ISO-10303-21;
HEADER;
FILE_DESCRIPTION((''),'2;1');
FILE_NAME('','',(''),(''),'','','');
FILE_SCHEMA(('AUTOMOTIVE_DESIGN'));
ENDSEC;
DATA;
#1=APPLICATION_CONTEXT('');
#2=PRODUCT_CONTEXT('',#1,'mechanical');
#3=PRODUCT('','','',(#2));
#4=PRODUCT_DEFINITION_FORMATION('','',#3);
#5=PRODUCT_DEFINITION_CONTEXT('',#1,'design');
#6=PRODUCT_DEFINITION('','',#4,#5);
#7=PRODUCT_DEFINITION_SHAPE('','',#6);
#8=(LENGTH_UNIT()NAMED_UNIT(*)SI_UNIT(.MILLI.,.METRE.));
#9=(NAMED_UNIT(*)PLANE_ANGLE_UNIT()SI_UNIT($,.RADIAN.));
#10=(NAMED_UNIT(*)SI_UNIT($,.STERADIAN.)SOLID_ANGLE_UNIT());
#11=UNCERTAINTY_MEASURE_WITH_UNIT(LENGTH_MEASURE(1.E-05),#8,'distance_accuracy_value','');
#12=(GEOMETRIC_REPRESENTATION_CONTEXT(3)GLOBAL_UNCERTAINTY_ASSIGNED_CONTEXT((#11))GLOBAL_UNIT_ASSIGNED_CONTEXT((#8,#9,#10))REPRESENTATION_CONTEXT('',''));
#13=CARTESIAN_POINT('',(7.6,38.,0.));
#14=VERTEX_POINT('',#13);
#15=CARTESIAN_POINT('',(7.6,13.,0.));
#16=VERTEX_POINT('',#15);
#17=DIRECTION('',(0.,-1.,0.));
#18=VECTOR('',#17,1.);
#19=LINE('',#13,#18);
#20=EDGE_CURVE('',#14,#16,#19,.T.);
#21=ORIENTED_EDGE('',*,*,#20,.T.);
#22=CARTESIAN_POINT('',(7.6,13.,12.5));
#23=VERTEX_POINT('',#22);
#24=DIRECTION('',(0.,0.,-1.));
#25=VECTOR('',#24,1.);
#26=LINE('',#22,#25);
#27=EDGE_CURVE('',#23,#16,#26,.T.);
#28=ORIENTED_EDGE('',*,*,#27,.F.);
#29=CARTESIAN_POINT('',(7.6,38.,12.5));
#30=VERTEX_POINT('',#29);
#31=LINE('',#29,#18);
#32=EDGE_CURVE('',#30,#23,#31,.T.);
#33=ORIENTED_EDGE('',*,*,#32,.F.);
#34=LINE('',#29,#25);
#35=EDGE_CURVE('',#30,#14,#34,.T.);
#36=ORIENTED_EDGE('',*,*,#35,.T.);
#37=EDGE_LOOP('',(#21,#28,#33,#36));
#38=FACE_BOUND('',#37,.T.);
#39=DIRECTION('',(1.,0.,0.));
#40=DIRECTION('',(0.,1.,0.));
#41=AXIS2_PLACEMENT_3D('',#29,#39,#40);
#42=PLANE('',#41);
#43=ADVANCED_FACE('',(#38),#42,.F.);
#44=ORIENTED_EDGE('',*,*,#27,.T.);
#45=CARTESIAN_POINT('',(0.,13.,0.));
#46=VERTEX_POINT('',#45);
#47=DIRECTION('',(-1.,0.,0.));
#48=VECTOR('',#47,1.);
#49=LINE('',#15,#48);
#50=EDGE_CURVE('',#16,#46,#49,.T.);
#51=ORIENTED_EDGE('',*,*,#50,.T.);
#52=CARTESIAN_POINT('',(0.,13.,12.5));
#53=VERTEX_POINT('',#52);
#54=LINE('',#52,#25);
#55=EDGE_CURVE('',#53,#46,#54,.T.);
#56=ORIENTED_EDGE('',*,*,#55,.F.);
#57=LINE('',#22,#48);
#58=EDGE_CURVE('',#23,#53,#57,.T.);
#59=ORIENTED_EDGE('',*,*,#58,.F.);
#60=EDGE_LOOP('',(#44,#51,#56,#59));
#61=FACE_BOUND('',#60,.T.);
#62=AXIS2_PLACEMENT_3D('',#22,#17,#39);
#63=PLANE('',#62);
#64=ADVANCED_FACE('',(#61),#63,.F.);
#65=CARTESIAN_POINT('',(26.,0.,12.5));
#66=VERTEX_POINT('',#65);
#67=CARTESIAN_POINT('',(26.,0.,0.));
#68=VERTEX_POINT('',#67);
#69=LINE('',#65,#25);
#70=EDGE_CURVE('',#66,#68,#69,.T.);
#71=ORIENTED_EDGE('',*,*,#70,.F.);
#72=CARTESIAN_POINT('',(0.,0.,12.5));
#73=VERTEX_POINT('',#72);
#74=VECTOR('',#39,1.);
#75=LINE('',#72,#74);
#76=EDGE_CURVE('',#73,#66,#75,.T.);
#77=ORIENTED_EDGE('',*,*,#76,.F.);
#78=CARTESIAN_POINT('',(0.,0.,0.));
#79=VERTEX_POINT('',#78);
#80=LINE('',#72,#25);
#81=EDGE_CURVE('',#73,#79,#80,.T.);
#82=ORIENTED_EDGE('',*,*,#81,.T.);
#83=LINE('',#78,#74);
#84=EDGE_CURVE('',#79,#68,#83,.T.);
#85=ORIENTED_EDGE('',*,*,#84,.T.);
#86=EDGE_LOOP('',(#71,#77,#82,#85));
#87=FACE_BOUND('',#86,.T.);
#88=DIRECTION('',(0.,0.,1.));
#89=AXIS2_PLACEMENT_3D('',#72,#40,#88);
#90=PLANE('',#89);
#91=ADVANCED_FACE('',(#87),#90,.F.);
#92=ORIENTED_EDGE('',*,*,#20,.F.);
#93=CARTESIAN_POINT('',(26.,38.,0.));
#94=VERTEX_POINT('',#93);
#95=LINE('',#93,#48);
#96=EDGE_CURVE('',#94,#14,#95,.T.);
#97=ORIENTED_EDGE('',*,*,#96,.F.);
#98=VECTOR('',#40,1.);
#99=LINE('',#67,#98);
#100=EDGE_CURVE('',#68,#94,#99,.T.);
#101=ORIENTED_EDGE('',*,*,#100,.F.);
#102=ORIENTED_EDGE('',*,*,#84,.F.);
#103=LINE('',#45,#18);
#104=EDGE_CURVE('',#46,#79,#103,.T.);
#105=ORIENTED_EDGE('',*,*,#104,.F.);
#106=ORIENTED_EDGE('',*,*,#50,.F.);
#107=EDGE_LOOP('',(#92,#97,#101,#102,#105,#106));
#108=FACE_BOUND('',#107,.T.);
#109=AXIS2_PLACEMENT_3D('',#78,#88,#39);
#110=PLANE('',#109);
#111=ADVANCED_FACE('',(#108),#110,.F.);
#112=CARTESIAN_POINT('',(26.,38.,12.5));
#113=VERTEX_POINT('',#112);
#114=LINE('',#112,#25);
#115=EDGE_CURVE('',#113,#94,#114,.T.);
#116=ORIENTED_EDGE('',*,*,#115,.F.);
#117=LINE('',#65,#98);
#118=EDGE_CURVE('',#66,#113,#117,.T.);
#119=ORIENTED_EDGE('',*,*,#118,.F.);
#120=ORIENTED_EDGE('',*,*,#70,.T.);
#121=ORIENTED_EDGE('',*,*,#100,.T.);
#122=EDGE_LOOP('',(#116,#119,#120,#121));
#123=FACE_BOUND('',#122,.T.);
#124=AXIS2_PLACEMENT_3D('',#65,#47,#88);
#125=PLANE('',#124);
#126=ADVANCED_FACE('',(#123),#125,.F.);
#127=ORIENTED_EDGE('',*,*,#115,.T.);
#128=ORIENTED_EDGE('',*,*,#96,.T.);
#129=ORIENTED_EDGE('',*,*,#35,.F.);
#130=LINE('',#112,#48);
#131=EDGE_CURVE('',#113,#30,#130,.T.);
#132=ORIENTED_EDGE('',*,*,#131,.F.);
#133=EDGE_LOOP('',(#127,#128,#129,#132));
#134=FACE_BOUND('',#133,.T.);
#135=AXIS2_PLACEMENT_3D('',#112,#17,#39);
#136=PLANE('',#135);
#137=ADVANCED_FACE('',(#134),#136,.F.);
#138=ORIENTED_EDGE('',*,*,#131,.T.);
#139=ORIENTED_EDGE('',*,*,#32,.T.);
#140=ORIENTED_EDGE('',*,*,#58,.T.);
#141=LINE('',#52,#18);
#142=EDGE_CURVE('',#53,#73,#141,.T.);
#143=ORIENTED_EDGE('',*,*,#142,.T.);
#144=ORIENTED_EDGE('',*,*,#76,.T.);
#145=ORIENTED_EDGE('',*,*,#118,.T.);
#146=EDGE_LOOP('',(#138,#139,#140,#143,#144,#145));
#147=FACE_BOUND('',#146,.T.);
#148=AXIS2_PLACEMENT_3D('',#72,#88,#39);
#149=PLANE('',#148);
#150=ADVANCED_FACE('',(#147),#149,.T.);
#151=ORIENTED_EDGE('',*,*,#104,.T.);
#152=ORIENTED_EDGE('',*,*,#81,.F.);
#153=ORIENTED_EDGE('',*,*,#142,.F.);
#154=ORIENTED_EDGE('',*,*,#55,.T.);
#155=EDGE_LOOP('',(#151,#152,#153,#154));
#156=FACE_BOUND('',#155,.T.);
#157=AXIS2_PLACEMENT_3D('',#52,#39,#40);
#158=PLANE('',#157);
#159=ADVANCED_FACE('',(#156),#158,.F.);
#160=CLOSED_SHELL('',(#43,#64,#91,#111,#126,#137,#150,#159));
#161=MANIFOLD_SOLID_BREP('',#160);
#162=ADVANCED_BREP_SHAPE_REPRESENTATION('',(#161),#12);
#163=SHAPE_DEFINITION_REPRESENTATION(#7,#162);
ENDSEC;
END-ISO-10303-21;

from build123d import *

# Parameters (mm, degrees)
BOSS_EXTRUDE1_DEPTH = 12.5


with BuildPart() as part:
    # Sketch1 → Boss-Extrude1 (new body)
    with BuildSketch(Plane.XY):
        Polygon((0, 0), (26, 0), (26, 38), (7.6, 38), (7.6, 13), (0, 13), align=None)
    extrude(amount=BOSS_EXTRUDE1_DEPTH)


solid = part.part
